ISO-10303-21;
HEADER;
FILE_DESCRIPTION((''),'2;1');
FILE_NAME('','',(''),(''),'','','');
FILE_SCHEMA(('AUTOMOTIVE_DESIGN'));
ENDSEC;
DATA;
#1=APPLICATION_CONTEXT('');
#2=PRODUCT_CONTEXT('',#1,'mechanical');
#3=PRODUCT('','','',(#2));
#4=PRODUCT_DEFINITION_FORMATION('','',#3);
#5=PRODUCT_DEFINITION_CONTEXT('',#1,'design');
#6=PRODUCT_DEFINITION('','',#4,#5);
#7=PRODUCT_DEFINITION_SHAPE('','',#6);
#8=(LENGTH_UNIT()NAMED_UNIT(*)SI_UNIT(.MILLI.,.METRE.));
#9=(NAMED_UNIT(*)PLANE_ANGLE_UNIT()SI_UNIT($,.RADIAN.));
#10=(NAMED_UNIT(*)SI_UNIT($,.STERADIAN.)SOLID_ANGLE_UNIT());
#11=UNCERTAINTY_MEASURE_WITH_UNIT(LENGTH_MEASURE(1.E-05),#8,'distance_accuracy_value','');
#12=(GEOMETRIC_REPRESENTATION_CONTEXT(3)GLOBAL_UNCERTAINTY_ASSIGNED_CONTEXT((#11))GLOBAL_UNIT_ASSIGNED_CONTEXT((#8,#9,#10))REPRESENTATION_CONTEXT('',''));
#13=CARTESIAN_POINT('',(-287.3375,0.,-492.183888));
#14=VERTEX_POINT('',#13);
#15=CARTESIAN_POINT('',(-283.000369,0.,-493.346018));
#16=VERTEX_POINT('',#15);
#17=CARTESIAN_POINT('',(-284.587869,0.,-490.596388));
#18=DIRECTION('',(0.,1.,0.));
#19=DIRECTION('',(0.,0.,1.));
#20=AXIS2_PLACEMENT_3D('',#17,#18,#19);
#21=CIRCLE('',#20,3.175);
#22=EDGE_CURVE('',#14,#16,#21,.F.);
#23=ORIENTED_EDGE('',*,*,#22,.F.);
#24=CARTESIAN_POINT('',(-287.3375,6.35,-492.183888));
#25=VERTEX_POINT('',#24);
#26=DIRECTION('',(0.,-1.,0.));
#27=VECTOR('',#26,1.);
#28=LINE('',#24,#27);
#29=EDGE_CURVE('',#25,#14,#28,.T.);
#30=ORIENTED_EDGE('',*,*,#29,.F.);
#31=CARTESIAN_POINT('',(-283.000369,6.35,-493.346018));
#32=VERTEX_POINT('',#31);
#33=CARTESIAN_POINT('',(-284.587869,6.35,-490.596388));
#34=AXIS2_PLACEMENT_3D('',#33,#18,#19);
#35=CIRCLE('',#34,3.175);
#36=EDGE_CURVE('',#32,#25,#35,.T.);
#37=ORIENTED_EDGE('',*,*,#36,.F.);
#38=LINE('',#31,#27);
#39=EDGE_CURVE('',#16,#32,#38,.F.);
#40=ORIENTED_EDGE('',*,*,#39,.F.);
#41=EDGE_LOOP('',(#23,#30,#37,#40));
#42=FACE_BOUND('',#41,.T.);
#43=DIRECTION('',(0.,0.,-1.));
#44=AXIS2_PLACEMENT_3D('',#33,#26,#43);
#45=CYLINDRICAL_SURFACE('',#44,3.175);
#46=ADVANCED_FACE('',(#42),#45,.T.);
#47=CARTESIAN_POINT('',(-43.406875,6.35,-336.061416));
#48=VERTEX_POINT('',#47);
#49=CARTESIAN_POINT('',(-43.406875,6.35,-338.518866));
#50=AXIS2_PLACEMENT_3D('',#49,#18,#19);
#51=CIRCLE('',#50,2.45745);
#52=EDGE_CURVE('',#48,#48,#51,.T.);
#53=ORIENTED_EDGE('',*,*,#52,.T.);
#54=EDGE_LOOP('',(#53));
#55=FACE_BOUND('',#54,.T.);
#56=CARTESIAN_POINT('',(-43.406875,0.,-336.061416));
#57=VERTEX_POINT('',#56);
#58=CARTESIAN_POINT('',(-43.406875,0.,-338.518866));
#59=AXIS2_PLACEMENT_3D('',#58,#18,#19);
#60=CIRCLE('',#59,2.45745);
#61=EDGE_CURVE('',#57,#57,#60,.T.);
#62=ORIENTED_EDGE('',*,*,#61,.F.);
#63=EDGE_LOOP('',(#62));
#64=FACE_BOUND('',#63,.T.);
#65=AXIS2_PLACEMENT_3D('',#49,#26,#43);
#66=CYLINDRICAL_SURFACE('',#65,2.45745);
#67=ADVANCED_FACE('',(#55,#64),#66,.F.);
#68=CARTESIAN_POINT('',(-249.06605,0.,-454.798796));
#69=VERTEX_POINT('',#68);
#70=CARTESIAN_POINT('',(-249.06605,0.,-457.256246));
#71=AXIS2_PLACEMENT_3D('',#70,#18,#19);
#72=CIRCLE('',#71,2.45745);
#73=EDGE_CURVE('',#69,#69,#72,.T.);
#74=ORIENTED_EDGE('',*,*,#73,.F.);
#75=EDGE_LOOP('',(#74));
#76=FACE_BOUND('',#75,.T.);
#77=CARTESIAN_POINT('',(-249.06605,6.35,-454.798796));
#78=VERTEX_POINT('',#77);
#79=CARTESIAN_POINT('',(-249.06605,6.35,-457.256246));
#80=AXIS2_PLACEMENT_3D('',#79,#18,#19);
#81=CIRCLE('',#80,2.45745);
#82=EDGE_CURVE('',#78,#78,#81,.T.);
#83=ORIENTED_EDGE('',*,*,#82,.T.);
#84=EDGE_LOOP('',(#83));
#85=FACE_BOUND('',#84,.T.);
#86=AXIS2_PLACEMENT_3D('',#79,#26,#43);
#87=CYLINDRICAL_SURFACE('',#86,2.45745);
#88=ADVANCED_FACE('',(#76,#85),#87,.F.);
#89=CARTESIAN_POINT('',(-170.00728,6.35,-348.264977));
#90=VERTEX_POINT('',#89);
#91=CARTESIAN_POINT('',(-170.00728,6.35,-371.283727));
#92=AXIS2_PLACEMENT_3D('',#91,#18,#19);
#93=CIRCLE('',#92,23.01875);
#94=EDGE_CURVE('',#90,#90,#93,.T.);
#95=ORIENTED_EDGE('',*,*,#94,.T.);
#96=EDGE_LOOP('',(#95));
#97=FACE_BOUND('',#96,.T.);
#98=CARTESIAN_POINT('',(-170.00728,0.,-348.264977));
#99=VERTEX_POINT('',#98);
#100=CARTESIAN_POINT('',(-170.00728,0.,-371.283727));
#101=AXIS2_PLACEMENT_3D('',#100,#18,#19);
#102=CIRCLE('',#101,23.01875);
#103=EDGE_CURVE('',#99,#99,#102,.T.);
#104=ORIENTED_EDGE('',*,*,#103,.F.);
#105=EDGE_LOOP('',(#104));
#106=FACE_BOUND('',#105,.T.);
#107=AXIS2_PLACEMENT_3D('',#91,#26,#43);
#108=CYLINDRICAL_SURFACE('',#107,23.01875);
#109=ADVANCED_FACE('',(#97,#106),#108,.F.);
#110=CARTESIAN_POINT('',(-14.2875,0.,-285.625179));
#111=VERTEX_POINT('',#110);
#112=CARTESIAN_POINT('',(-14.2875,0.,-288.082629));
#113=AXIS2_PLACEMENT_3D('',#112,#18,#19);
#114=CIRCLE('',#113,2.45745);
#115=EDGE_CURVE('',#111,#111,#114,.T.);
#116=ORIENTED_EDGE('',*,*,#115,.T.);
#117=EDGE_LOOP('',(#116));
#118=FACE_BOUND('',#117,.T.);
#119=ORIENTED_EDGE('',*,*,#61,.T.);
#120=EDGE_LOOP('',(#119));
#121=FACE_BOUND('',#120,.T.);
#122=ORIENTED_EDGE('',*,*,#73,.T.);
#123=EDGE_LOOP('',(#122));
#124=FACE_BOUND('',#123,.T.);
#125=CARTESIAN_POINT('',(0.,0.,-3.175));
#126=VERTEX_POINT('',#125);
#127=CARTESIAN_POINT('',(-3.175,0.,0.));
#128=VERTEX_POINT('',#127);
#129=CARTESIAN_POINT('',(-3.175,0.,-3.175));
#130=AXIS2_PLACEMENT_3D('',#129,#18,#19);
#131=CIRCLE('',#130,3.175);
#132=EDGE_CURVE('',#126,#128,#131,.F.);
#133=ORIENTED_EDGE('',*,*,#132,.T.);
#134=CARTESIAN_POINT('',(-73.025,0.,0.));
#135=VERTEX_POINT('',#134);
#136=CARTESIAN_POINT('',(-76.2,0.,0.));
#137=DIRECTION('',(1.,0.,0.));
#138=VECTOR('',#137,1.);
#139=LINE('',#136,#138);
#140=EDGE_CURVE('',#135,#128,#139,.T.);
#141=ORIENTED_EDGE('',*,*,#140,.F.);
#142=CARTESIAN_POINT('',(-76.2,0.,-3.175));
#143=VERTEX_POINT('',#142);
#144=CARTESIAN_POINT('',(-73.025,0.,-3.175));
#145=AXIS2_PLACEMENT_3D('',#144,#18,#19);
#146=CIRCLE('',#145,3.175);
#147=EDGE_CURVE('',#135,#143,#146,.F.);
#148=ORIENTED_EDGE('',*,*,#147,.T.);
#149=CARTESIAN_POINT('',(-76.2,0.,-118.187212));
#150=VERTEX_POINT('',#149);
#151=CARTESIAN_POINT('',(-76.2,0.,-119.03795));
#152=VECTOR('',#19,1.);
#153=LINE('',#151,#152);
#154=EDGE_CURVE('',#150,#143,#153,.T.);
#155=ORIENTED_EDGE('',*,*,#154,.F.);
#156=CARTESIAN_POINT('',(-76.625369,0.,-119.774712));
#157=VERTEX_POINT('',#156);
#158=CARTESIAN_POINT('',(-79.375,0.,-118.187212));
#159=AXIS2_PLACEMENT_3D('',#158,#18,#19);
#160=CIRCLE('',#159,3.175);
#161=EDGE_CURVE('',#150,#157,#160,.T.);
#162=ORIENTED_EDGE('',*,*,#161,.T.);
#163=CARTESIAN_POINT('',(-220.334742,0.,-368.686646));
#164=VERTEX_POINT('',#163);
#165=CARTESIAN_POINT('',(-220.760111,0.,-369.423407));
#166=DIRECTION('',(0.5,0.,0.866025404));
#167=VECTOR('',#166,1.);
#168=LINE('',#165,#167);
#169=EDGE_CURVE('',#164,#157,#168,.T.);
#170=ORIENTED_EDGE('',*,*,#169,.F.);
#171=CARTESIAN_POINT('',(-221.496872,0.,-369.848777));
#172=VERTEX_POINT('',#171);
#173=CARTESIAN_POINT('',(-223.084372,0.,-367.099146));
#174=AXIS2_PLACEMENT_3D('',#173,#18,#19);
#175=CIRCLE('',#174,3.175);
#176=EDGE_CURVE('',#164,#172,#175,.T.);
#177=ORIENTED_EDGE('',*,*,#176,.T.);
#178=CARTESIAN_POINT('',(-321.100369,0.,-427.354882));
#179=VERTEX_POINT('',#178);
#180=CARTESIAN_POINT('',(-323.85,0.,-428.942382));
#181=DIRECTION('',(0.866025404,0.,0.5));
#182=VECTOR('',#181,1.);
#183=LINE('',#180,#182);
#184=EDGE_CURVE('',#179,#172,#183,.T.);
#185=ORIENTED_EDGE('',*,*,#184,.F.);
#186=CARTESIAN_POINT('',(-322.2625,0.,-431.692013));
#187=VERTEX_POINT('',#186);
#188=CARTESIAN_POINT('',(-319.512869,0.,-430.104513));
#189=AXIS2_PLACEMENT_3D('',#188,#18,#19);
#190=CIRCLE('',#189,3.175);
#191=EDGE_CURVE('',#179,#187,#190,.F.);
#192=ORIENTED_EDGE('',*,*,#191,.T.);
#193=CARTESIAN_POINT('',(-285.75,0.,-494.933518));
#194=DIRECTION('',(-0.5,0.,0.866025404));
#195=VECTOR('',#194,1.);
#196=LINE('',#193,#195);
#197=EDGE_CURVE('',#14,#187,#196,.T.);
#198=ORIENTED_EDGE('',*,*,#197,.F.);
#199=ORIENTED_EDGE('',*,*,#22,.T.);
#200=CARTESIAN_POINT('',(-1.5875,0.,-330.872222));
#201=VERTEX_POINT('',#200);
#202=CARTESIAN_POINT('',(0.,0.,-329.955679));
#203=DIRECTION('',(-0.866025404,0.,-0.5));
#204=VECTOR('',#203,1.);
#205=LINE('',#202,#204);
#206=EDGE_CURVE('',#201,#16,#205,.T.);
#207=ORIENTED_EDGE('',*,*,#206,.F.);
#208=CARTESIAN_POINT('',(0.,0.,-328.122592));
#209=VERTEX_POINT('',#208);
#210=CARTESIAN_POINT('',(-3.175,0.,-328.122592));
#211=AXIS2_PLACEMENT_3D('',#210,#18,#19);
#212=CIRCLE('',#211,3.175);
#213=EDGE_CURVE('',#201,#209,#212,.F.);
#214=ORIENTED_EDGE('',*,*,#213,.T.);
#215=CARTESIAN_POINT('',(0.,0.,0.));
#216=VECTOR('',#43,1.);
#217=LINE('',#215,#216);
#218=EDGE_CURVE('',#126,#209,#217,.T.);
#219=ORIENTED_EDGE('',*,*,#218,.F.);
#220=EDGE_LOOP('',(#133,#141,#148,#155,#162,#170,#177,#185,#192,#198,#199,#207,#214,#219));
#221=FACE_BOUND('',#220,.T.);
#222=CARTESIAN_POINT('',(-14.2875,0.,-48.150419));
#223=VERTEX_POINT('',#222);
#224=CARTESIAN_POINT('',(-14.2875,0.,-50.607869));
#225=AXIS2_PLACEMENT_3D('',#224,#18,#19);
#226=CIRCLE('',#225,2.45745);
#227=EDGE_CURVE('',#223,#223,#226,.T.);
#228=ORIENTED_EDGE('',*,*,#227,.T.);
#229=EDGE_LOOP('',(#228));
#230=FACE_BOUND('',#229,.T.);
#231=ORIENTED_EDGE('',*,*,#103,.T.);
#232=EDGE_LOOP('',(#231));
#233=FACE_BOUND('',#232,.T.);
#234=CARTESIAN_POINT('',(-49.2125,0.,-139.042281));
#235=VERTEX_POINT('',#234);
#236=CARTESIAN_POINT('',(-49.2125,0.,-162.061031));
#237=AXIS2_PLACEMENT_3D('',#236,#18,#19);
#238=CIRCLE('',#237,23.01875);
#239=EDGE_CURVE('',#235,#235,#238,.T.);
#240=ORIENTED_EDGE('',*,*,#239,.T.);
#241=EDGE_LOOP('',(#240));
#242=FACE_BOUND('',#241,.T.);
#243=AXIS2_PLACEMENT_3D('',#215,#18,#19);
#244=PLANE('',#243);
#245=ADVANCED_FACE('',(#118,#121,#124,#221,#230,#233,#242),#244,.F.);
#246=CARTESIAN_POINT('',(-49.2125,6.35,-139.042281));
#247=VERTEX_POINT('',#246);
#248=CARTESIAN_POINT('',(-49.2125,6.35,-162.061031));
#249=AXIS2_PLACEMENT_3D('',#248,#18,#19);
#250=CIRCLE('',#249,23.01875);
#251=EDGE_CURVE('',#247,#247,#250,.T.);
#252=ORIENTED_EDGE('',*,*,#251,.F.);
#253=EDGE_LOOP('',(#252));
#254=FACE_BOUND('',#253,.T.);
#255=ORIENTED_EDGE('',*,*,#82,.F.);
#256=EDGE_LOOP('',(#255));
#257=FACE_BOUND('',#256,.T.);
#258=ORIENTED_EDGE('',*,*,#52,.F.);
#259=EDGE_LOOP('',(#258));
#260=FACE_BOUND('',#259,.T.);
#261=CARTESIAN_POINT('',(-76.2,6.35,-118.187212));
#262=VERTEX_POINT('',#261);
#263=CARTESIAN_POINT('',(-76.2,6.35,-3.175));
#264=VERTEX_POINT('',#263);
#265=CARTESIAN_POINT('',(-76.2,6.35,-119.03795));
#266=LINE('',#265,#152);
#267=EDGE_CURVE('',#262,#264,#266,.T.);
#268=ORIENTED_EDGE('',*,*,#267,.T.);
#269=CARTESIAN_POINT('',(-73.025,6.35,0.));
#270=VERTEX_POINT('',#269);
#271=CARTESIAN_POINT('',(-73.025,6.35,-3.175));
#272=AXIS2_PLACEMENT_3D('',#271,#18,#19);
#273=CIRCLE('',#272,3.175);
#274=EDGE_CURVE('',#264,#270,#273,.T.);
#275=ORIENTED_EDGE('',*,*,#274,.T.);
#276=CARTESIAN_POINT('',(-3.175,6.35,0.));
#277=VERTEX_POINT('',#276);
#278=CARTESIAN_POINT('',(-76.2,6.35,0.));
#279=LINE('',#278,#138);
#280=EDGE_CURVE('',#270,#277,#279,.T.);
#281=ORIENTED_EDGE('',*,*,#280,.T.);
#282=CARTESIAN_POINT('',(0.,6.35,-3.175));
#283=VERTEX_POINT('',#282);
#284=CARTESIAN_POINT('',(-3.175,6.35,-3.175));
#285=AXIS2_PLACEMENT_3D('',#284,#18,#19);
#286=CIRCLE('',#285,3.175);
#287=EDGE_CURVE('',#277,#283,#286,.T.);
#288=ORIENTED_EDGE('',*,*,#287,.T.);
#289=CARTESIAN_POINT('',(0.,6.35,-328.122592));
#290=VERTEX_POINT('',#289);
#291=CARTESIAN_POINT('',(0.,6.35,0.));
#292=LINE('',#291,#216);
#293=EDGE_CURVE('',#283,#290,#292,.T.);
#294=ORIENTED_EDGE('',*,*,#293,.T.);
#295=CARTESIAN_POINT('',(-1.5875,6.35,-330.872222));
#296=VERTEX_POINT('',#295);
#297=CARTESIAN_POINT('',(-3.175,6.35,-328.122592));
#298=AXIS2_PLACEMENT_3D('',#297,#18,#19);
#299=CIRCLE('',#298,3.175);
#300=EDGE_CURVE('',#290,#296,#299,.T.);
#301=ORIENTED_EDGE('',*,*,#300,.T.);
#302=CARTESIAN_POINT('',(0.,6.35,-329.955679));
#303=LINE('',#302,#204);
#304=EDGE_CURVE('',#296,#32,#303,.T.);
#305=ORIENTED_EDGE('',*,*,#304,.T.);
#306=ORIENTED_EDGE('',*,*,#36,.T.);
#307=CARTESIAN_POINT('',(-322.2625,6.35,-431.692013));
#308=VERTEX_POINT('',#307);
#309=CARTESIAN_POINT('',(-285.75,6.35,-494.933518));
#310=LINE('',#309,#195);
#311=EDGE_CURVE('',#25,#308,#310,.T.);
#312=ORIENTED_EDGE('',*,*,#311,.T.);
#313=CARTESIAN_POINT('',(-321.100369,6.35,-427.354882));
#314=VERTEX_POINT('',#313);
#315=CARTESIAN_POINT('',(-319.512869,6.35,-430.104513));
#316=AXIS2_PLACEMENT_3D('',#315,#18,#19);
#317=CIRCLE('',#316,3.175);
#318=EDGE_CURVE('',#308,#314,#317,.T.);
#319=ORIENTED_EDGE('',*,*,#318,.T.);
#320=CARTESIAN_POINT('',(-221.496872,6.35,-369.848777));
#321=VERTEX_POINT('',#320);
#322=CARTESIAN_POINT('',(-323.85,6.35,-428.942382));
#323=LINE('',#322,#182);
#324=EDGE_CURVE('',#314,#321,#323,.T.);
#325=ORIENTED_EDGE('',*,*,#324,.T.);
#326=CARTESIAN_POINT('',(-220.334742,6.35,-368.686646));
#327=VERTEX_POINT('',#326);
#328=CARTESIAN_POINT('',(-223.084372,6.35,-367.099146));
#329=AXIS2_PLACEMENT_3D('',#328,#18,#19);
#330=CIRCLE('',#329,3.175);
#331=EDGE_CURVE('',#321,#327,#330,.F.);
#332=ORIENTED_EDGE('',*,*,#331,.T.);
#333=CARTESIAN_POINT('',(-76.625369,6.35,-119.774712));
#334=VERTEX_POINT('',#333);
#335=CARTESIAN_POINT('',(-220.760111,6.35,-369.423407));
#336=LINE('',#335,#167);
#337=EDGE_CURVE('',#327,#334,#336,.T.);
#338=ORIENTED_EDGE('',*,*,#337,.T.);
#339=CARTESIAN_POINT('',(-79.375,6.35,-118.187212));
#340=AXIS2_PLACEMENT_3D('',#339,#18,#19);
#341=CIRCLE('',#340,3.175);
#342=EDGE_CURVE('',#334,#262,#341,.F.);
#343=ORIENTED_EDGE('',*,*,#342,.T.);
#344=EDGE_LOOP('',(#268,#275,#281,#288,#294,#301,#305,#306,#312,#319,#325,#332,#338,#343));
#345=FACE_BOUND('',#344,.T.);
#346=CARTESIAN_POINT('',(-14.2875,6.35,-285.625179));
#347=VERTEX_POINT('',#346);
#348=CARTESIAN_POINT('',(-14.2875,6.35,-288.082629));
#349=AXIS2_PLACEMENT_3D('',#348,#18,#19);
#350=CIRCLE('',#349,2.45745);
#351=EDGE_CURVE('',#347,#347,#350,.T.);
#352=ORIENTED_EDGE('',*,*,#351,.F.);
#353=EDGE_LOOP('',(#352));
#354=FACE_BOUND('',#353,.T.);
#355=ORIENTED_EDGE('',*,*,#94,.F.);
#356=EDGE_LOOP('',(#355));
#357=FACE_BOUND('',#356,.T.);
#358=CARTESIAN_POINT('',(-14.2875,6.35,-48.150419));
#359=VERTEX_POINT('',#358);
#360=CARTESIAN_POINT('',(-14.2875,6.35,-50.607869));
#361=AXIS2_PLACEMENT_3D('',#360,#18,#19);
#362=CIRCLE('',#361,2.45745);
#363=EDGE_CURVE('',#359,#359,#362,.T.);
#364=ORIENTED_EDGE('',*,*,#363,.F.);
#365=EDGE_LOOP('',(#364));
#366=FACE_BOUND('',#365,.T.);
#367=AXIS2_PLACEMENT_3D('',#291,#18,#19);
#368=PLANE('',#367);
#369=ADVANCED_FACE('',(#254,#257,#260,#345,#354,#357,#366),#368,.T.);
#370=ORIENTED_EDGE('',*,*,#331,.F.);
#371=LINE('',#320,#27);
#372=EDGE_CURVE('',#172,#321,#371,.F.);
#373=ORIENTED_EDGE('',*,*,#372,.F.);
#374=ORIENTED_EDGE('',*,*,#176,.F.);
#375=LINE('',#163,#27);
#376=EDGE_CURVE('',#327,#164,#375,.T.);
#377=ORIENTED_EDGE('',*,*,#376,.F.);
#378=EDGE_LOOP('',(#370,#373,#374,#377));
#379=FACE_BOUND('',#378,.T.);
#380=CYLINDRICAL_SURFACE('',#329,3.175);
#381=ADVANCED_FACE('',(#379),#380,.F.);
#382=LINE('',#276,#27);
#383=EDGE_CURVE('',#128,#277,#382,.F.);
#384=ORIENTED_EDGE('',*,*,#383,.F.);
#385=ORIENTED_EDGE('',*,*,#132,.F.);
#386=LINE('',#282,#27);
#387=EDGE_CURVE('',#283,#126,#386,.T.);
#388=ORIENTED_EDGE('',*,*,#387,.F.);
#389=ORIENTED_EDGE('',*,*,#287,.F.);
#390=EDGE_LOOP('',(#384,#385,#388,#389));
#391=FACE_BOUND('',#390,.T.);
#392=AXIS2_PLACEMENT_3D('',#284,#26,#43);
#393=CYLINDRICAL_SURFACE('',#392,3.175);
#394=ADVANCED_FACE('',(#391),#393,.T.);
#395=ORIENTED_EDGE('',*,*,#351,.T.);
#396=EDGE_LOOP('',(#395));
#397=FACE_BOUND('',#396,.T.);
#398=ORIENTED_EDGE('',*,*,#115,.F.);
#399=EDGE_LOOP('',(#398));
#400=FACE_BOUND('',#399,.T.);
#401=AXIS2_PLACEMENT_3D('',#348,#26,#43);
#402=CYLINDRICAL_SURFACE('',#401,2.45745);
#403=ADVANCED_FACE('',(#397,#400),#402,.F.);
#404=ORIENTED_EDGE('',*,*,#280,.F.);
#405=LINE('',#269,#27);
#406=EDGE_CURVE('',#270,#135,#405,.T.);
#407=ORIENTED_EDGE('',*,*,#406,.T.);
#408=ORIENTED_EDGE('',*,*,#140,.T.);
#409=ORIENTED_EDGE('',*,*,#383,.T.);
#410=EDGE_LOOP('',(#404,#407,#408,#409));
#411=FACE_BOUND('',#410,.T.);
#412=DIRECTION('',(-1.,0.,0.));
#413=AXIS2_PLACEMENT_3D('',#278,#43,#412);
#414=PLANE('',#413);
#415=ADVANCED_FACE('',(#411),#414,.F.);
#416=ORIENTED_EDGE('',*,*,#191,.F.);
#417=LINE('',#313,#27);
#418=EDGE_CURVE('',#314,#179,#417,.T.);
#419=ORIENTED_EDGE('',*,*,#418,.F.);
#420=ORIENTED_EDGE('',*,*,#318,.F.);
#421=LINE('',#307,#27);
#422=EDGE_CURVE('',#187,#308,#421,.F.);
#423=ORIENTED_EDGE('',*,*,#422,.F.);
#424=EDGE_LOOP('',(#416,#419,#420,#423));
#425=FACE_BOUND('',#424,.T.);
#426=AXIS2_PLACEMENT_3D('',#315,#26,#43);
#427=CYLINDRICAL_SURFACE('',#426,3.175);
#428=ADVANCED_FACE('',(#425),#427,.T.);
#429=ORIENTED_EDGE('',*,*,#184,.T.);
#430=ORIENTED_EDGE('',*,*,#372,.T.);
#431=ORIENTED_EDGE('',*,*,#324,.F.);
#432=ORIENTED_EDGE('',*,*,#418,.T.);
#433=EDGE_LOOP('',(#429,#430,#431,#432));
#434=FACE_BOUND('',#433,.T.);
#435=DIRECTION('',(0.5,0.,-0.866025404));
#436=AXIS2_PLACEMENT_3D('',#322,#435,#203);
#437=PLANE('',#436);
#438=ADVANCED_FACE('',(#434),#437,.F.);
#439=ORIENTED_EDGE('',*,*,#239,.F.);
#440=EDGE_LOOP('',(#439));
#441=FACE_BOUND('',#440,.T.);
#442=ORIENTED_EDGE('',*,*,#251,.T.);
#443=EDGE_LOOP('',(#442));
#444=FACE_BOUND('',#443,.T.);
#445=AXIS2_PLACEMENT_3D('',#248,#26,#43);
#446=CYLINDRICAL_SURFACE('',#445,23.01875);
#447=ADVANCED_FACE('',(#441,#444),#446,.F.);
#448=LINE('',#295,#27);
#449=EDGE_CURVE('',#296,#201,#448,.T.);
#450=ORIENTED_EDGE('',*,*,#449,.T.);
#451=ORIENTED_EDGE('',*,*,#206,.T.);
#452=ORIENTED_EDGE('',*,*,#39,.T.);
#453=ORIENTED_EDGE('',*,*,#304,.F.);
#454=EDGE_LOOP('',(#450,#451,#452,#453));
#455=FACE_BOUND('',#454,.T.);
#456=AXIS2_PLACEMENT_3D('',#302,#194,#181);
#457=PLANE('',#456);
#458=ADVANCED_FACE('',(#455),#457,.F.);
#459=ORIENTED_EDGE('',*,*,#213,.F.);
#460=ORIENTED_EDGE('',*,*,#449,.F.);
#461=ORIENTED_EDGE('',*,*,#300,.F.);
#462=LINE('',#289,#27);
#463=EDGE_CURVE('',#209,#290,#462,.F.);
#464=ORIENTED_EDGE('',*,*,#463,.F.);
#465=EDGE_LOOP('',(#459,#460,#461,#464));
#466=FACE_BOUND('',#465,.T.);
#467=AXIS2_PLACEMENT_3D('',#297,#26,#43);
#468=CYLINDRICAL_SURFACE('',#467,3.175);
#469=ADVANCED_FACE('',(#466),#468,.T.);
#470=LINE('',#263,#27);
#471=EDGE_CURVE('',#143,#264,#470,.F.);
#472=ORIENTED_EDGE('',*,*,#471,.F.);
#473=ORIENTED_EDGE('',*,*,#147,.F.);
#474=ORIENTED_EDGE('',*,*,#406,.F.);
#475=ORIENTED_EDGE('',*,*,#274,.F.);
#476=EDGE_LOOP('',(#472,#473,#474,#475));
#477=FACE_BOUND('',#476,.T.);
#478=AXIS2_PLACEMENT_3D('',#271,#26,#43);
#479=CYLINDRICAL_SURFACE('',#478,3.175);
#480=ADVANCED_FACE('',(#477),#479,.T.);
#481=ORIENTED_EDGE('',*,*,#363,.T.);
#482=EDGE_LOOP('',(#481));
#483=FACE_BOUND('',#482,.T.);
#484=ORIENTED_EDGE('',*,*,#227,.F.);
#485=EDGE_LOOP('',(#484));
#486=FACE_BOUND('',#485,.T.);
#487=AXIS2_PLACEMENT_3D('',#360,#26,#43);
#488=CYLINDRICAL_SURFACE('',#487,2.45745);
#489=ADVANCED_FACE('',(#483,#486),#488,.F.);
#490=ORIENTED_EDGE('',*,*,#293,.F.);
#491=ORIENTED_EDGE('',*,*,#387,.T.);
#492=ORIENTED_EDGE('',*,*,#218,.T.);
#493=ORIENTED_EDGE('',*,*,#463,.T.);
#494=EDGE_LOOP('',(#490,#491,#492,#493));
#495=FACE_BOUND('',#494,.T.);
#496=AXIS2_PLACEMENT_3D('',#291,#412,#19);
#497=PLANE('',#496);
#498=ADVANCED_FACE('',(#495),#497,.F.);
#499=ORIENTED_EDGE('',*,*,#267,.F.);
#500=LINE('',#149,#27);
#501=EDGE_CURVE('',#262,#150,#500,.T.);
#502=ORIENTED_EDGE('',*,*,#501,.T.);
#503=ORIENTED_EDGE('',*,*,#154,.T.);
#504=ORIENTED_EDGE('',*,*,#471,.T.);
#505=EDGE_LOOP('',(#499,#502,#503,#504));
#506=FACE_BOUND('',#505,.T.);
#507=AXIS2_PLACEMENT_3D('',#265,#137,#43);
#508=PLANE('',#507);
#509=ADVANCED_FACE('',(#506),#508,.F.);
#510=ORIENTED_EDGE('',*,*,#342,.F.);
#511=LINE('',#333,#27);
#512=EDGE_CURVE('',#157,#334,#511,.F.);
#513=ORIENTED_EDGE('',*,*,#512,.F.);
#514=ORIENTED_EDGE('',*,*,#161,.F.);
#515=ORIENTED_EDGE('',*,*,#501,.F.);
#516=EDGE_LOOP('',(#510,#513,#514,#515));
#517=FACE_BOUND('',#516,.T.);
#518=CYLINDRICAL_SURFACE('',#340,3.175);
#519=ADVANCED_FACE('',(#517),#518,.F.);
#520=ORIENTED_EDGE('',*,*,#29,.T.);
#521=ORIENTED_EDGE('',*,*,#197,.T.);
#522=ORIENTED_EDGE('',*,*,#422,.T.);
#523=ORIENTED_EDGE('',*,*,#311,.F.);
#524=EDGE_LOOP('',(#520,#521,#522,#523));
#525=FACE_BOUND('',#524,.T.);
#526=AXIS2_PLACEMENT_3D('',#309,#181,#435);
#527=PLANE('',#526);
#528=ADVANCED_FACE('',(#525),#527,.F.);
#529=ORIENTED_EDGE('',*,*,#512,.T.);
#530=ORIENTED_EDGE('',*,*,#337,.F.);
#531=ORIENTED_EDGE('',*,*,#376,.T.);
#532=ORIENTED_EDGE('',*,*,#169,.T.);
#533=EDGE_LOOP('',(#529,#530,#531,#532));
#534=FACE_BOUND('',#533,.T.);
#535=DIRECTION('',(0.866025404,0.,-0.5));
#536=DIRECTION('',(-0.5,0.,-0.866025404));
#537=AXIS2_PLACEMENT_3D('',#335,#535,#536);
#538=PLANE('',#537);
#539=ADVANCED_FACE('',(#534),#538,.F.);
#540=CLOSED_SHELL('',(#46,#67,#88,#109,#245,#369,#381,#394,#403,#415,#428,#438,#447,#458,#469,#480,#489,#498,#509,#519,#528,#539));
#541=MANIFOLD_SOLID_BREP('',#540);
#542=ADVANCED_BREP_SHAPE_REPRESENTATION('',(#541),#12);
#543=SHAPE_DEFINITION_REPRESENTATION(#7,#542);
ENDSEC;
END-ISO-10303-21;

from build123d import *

# Parameters (mm, degrees)
SKETCH1_R           = 23.01875
SKETCH1_R_2         = 2.45745
BOSS_EXTRUDE1_DEPTH = 6.35
FILLET1_R           = 3.175


with BuildPart() as part:
    # Sketch1 → Boss-Extrude1 (new body)
    with BuildSketch(Plane(origin=(0, 0, 0), x_dir=(1, 0, 0), z_dir=(0, 1, 0))):
        Polygon((0, 0), (0, 329.955678842), (-285.75, 494.933518263), (-323.85, 428.942382494), (-220.760110958, 369.423407305), (-76.2, 119.037950379), (-76.2, 0), align=None)
        with Locations((-49.2125, 162.06103122)):
            Circle(SKETCH1_R, mode=Mode.SUBTRACT)
        with Locations((-170.00728, 371.283727469)):
            Circle(SKETCH1_R, mode=Mode.SUBTRACT)
        with Locations((-14.2875, 50.607868786)):
            Circle(SKETCH1_R_2, mode=Mode.SUBTRACT)
        with Locations((-14.2875, 288.082628786)):
            Circle(SKETCH1_R_2, mode=Mode.SUBTRACT)
        with Locations((-43.406875082, 338.518865913)):
            Circle(SKETCH1_R_2, mode=Mode.SUBTRACT)
        with Locations((-249.06605, 457.256245913)):
            Circle(SKETCH1_R_2, mode=Mode.SUBTRACT)
    extrude(amount=BOSS_EXTRUDE1_DEPTH)

    # Fillet1
    fillet1_edges = [part.edges().sort_by_distance(p)[0] for p in [
        (-76.2, 3.175, 0),
        (-76.2, 3.175, -119.037950379),
        (-220.760110958, 3.175, -369.423407305),
        (-323.85, 3.175, -428.942382494),
        (-285.75, 3.175, -494.933518263),
        (0, 3.175, -329.955678842),
        (0, 3.175, 0),
    ]]
    fillet(fillet1_edges, radius=FILLET1_R)


solid = part.part
